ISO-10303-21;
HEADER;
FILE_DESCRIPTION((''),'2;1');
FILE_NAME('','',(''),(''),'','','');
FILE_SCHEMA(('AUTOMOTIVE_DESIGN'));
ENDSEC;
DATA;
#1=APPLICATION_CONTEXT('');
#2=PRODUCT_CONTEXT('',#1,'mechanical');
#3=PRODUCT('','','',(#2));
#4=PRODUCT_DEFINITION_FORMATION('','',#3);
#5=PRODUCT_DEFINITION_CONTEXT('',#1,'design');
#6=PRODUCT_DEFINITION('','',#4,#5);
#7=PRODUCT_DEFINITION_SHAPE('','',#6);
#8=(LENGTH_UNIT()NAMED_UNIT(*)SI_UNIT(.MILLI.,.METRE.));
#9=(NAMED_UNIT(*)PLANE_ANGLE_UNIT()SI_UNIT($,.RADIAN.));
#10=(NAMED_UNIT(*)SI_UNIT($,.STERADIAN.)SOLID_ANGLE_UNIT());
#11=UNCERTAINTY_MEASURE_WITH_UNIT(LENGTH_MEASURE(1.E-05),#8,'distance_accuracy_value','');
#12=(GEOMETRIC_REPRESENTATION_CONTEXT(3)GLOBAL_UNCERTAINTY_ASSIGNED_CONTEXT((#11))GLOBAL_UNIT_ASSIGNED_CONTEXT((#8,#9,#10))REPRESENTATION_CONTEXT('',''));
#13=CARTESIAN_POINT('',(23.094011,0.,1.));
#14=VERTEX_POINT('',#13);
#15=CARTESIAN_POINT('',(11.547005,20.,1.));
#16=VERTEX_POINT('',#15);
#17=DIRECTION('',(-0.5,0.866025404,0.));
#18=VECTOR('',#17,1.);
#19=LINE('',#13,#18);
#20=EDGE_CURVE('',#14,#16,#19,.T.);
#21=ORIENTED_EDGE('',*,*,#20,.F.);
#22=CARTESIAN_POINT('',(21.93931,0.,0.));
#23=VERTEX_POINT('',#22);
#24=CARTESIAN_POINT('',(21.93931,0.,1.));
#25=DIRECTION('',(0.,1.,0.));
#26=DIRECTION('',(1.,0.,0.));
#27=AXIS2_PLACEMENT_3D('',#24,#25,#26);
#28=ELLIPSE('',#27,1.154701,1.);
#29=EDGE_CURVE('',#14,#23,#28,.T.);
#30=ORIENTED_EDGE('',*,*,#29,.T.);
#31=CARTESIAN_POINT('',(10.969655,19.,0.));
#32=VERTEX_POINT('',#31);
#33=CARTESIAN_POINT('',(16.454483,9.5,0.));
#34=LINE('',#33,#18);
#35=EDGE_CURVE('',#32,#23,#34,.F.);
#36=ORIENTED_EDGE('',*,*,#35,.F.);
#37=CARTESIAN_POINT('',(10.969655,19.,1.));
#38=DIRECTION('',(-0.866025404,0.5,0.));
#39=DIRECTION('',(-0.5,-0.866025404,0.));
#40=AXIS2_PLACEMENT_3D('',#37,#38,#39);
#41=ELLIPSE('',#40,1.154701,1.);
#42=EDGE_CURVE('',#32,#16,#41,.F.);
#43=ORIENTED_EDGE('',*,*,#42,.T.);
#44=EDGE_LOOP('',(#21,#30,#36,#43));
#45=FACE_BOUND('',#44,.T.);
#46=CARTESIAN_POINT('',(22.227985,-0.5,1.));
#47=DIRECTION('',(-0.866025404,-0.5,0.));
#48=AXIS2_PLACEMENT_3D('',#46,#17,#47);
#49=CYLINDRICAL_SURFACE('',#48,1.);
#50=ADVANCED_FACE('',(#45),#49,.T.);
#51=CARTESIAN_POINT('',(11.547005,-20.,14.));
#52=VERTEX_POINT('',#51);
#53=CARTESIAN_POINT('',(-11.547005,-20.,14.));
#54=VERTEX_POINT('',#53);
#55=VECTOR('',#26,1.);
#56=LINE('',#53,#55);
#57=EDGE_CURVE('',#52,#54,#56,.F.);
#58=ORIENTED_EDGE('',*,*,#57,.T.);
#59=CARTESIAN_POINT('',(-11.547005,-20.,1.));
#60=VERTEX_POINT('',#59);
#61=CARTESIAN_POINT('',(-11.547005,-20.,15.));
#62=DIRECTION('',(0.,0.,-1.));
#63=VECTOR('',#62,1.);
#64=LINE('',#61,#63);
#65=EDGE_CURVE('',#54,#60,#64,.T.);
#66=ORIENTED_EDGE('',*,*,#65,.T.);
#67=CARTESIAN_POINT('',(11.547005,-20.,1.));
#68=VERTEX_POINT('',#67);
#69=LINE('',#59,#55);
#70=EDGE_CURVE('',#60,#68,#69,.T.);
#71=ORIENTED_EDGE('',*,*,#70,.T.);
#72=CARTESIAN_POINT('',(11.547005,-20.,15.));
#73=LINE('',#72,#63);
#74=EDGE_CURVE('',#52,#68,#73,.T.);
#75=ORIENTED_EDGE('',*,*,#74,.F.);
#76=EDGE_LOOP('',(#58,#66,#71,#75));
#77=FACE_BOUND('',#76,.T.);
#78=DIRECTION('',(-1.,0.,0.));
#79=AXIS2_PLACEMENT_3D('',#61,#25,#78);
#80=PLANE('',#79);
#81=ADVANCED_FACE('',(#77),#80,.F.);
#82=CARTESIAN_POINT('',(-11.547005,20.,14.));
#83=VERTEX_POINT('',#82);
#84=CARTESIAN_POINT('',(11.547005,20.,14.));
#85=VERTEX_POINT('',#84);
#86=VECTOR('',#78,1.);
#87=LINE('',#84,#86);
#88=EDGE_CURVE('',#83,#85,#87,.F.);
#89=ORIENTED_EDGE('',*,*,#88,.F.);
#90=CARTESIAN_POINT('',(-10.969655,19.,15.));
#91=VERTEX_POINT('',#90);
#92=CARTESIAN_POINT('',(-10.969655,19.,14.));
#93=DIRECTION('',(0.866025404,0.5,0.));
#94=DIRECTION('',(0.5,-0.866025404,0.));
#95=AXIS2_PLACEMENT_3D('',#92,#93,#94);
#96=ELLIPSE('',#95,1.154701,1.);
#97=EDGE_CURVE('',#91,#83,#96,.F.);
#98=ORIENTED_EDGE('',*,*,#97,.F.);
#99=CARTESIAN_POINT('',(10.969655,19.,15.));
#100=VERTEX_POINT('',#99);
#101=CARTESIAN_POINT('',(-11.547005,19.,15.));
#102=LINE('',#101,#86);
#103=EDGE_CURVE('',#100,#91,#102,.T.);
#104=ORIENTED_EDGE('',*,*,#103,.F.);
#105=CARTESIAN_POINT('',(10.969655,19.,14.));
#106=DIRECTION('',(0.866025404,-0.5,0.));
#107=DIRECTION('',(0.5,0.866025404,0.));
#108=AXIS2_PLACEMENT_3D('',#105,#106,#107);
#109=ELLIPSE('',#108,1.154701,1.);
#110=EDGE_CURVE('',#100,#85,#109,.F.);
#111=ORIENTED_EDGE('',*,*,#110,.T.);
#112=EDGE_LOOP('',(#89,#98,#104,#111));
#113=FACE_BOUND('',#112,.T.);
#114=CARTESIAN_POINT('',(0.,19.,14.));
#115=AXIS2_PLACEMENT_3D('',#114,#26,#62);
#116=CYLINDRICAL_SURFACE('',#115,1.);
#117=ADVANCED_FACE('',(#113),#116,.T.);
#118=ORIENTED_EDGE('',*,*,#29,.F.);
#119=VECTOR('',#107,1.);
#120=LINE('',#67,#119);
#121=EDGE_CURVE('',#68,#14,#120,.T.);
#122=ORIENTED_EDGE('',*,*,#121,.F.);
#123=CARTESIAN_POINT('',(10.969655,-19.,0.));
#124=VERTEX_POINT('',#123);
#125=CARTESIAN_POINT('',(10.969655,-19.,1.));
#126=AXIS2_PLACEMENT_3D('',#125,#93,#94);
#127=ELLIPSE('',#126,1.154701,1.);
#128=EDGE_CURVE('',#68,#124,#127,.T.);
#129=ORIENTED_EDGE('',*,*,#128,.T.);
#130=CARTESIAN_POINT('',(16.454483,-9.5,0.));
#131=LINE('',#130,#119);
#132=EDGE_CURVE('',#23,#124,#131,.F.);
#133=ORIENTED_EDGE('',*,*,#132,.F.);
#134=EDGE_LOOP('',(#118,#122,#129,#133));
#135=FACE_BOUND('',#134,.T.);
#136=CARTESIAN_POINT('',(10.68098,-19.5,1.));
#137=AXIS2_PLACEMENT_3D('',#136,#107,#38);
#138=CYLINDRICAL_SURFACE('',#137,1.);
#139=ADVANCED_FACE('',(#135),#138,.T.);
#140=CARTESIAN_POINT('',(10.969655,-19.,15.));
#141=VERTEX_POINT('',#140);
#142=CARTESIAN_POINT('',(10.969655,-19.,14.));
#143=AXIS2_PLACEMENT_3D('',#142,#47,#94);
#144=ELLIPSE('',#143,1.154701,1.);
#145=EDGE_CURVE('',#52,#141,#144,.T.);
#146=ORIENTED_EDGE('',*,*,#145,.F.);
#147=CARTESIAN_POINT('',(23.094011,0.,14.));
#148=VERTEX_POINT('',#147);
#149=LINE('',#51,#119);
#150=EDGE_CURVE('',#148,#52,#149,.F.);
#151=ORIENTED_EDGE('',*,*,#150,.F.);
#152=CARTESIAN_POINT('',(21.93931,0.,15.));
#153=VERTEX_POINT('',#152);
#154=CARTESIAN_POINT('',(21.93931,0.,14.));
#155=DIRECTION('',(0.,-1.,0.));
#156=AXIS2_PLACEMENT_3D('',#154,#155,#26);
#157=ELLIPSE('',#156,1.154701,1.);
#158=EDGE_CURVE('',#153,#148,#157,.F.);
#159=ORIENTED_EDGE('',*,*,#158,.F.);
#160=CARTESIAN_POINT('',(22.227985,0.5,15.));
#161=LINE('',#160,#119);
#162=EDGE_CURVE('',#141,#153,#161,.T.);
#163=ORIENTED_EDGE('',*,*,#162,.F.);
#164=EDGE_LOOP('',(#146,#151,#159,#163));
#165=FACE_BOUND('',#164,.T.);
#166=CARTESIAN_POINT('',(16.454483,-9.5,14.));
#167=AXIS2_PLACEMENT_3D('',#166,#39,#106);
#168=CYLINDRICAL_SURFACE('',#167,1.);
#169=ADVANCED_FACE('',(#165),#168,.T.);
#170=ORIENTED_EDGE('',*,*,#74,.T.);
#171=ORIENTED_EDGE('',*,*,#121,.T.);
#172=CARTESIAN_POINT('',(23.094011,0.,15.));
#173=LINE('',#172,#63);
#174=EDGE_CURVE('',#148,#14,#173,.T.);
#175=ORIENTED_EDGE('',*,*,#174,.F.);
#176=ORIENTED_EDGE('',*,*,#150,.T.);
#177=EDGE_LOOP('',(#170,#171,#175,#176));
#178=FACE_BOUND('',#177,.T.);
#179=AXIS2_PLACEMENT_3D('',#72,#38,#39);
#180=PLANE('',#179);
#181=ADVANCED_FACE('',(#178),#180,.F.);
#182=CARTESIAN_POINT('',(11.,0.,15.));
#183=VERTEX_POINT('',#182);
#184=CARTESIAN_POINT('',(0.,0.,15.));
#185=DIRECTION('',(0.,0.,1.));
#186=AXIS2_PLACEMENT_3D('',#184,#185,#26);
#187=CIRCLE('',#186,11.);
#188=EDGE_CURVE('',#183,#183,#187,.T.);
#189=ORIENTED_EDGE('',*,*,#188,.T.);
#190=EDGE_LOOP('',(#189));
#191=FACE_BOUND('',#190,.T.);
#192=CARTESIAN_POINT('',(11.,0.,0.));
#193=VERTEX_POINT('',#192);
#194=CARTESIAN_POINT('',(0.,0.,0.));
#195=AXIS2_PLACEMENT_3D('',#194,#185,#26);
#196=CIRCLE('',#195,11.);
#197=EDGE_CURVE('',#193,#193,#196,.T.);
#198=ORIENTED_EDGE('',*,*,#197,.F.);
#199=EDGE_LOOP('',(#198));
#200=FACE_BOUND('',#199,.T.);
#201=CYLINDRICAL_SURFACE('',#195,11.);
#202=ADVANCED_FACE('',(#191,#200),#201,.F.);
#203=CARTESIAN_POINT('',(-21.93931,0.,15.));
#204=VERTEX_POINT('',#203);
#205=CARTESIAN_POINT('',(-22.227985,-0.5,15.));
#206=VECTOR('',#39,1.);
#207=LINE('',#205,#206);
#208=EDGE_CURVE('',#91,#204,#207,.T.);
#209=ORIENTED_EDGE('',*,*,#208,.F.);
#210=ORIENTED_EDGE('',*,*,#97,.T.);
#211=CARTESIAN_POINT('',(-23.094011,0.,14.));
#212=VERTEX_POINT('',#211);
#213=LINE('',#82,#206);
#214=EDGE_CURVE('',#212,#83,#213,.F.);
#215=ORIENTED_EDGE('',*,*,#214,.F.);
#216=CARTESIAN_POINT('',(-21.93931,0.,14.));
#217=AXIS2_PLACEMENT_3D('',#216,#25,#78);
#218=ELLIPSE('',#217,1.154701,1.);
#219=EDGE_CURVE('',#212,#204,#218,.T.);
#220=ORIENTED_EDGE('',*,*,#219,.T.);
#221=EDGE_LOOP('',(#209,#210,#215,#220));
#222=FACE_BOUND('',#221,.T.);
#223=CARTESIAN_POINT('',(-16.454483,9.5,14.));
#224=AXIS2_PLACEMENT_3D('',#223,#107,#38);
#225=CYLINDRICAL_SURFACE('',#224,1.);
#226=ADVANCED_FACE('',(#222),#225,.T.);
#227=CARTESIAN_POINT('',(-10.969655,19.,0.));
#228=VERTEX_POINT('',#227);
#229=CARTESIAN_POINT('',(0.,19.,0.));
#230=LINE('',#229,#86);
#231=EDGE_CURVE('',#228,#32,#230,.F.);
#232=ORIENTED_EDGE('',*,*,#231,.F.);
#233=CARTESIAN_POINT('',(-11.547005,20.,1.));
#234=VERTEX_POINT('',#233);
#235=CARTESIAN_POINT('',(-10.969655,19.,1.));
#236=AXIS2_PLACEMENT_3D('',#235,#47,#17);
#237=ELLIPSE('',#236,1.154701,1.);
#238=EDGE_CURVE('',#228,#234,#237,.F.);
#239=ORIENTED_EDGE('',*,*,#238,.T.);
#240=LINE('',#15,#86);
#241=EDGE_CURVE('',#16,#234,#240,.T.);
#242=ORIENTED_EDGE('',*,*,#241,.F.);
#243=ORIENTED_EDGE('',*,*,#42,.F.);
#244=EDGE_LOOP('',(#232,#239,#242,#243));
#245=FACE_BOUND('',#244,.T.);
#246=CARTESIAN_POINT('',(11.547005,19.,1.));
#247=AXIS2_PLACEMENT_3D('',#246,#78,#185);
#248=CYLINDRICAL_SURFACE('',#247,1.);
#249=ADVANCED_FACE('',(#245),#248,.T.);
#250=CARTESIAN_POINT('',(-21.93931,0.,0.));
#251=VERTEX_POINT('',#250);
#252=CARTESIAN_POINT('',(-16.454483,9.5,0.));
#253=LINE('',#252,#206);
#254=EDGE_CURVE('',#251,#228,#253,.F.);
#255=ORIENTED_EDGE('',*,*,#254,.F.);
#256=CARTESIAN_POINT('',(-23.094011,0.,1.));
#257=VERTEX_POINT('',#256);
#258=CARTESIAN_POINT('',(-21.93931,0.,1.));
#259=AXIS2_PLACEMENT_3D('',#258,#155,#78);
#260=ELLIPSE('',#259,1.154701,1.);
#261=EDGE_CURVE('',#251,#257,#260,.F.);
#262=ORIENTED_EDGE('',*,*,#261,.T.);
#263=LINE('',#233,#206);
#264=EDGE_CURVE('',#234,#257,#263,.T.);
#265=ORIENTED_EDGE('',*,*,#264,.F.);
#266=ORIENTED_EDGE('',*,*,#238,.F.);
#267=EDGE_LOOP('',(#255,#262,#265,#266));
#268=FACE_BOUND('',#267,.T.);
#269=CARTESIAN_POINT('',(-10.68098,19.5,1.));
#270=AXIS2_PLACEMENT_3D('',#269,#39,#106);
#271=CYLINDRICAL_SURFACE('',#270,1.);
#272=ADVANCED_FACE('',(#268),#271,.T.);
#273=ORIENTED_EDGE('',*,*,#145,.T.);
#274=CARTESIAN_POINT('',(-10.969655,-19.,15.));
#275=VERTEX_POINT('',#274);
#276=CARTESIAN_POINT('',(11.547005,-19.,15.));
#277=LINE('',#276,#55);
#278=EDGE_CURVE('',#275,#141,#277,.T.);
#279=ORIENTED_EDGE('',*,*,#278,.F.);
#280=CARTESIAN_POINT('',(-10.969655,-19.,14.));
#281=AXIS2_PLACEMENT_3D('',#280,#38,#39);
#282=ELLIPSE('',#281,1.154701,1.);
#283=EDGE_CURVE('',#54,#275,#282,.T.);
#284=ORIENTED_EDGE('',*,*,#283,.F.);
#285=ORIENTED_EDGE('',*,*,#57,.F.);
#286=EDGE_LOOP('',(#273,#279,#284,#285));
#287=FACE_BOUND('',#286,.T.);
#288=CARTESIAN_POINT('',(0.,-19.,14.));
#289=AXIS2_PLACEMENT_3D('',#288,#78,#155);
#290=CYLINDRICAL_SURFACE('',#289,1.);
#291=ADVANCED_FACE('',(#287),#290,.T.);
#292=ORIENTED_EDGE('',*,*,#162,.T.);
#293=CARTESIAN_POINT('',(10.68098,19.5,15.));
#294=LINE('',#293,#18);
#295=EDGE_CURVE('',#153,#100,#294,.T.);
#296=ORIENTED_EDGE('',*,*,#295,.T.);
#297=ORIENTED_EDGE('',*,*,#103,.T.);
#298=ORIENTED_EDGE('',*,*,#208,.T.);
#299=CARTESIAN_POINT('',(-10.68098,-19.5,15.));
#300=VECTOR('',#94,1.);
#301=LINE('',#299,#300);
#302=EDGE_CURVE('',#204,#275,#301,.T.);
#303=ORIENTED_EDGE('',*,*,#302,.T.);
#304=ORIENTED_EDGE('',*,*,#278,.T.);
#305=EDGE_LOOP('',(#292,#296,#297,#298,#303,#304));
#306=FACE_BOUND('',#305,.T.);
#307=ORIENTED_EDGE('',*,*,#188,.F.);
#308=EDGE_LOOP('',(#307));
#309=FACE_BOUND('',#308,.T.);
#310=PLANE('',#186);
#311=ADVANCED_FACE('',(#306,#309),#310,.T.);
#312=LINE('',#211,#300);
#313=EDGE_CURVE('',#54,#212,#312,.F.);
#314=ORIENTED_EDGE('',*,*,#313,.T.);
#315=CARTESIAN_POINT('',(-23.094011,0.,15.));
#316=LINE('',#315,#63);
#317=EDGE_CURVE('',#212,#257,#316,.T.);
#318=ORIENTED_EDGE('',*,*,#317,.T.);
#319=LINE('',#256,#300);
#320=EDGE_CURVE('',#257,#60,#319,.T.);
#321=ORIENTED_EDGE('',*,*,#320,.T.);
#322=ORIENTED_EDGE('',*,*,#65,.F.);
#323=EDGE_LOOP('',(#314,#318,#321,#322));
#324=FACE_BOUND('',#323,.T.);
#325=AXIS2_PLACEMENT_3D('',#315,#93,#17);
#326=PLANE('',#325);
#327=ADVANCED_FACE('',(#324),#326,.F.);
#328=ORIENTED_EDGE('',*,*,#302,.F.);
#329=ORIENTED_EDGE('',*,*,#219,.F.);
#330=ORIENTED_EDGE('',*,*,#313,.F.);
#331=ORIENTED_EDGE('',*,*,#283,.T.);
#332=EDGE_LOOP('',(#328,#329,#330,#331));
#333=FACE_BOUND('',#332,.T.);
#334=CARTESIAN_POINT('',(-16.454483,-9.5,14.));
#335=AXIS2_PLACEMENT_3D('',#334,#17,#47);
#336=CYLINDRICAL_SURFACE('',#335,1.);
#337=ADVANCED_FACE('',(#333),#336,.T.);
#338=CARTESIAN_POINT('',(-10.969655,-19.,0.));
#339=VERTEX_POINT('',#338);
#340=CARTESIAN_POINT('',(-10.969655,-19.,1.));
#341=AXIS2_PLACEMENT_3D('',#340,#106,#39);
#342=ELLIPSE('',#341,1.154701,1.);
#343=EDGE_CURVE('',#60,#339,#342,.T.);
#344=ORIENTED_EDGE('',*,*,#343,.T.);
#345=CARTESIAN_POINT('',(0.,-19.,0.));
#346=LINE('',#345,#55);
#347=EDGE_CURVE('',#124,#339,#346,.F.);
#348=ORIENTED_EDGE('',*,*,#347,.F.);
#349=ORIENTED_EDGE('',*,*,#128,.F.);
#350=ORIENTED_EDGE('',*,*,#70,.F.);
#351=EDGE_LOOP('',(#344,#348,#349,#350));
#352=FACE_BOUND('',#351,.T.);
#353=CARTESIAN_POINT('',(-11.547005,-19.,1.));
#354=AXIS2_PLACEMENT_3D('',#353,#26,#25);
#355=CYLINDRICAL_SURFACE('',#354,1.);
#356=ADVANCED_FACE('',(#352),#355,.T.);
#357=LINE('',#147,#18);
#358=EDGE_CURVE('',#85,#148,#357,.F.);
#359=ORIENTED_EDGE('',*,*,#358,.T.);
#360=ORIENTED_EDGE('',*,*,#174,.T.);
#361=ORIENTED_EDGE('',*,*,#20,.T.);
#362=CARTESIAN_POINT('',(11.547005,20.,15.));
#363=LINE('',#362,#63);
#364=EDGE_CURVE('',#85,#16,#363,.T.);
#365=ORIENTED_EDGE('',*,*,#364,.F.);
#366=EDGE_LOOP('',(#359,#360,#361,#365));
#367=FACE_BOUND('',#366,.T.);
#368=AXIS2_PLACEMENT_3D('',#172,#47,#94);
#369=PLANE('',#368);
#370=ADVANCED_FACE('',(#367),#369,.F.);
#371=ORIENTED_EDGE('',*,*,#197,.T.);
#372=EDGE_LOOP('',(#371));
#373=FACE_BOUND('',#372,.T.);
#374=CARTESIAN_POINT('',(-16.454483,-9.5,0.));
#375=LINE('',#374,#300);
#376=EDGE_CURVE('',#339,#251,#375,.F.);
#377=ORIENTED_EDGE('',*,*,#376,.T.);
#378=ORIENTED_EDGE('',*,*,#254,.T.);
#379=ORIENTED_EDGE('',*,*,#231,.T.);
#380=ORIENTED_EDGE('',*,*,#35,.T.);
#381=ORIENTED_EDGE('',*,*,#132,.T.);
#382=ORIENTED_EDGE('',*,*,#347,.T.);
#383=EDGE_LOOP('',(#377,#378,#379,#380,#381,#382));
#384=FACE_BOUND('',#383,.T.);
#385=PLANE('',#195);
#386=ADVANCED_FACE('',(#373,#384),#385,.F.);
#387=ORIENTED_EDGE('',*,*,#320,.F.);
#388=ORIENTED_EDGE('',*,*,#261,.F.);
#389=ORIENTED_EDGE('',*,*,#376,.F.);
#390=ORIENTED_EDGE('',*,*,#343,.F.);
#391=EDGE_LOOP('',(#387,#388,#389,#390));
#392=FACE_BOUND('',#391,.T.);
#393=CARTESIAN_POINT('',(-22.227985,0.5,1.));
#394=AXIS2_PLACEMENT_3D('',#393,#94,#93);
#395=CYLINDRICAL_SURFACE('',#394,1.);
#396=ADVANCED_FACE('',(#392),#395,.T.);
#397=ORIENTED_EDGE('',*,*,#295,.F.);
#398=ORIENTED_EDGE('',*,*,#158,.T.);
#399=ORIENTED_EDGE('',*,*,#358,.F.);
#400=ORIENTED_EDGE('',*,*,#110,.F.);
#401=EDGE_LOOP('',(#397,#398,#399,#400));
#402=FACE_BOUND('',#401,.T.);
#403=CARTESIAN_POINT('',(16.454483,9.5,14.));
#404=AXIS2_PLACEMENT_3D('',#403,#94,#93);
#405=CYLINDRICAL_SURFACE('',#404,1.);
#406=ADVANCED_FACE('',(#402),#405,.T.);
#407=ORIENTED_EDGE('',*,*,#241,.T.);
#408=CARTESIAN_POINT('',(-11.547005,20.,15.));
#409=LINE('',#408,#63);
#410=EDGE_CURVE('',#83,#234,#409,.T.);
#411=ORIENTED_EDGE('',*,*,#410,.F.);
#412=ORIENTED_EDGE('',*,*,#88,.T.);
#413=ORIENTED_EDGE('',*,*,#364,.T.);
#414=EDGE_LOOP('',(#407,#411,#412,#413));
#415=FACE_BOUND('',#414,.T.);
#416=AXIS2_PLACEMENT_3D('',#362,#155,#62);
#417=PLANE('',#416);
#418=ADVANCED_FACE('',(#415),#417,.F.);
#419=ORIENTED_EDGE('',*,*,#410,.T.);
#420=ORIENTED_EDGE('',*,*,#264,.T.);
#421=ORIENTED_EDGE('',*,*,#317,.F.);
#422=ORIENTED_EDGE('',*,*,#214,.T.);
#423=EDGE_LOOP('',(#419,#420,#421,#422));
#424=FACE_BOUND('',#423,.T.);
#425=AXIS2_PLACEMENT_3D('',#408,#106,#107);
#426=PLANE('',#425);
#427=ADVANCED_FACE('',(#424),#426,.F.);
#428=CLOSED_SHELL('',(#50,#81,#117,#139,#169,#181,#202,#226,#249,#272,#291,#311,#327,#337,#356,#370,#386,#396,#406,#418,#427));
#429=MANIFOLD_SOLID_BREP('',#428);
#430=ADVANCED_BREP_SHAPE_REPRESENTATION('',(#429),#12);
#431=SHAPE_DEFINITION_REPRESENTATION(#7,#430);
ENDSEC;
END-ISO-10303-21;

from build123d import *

# Parameters (mm, degrees)
EXTRUDE_3_DEPTH     = 15
FILLET_3_R          = 1
SKETCH_4_R          = 11
CUT_EXTRUDE_1_DEPTH = 35.034296428


with BuildPart() as part:
    # 草图1 → 凸台-拉伸3 (new body)
    with BuildSketch(Plane.XY):
        Polygon((11.547005384, -20), (23.094010768, 0), (11.547005384, 20), (-11.547005384, 20), (-23.094010768, 0), (-11.547005384, -20), align=None)
    extrude(amount=EXTRUDE_3_DEPTH)

    # 圆角3
    fillet_3_edges = [part.edges().sort_by_distance(p)[0] for p in [
        (17.320508076, 10, 15),
        (0, 20, 15),
        (-17.320508076, 10, 15),
        (-17.320508076, -10, 15),
        (0, -20, 15),
        (-17.320508076, -10, 0),
        (-17.320508076, 10, 0),
        (0, 20, 0),
        (17.320508076, -10, 15),
        (17.320508076, 10, 0),
        (17.320508076, -10, 0),
        (0, -20, 0),
    ]]
    fillet(fillet_3_edges, radius=FILLET_3_R)

    # 草图4 → 切除-拉伸1 (cut, through all)
    with BuildSketch(Plane.XY.offset(15)):
        Circle(SKETCH_4_R)
    extrude(amount=-CUT_EXTRUDE_1_DEPTH, mode=Mode.SUBTRACT)


solid = part.part
